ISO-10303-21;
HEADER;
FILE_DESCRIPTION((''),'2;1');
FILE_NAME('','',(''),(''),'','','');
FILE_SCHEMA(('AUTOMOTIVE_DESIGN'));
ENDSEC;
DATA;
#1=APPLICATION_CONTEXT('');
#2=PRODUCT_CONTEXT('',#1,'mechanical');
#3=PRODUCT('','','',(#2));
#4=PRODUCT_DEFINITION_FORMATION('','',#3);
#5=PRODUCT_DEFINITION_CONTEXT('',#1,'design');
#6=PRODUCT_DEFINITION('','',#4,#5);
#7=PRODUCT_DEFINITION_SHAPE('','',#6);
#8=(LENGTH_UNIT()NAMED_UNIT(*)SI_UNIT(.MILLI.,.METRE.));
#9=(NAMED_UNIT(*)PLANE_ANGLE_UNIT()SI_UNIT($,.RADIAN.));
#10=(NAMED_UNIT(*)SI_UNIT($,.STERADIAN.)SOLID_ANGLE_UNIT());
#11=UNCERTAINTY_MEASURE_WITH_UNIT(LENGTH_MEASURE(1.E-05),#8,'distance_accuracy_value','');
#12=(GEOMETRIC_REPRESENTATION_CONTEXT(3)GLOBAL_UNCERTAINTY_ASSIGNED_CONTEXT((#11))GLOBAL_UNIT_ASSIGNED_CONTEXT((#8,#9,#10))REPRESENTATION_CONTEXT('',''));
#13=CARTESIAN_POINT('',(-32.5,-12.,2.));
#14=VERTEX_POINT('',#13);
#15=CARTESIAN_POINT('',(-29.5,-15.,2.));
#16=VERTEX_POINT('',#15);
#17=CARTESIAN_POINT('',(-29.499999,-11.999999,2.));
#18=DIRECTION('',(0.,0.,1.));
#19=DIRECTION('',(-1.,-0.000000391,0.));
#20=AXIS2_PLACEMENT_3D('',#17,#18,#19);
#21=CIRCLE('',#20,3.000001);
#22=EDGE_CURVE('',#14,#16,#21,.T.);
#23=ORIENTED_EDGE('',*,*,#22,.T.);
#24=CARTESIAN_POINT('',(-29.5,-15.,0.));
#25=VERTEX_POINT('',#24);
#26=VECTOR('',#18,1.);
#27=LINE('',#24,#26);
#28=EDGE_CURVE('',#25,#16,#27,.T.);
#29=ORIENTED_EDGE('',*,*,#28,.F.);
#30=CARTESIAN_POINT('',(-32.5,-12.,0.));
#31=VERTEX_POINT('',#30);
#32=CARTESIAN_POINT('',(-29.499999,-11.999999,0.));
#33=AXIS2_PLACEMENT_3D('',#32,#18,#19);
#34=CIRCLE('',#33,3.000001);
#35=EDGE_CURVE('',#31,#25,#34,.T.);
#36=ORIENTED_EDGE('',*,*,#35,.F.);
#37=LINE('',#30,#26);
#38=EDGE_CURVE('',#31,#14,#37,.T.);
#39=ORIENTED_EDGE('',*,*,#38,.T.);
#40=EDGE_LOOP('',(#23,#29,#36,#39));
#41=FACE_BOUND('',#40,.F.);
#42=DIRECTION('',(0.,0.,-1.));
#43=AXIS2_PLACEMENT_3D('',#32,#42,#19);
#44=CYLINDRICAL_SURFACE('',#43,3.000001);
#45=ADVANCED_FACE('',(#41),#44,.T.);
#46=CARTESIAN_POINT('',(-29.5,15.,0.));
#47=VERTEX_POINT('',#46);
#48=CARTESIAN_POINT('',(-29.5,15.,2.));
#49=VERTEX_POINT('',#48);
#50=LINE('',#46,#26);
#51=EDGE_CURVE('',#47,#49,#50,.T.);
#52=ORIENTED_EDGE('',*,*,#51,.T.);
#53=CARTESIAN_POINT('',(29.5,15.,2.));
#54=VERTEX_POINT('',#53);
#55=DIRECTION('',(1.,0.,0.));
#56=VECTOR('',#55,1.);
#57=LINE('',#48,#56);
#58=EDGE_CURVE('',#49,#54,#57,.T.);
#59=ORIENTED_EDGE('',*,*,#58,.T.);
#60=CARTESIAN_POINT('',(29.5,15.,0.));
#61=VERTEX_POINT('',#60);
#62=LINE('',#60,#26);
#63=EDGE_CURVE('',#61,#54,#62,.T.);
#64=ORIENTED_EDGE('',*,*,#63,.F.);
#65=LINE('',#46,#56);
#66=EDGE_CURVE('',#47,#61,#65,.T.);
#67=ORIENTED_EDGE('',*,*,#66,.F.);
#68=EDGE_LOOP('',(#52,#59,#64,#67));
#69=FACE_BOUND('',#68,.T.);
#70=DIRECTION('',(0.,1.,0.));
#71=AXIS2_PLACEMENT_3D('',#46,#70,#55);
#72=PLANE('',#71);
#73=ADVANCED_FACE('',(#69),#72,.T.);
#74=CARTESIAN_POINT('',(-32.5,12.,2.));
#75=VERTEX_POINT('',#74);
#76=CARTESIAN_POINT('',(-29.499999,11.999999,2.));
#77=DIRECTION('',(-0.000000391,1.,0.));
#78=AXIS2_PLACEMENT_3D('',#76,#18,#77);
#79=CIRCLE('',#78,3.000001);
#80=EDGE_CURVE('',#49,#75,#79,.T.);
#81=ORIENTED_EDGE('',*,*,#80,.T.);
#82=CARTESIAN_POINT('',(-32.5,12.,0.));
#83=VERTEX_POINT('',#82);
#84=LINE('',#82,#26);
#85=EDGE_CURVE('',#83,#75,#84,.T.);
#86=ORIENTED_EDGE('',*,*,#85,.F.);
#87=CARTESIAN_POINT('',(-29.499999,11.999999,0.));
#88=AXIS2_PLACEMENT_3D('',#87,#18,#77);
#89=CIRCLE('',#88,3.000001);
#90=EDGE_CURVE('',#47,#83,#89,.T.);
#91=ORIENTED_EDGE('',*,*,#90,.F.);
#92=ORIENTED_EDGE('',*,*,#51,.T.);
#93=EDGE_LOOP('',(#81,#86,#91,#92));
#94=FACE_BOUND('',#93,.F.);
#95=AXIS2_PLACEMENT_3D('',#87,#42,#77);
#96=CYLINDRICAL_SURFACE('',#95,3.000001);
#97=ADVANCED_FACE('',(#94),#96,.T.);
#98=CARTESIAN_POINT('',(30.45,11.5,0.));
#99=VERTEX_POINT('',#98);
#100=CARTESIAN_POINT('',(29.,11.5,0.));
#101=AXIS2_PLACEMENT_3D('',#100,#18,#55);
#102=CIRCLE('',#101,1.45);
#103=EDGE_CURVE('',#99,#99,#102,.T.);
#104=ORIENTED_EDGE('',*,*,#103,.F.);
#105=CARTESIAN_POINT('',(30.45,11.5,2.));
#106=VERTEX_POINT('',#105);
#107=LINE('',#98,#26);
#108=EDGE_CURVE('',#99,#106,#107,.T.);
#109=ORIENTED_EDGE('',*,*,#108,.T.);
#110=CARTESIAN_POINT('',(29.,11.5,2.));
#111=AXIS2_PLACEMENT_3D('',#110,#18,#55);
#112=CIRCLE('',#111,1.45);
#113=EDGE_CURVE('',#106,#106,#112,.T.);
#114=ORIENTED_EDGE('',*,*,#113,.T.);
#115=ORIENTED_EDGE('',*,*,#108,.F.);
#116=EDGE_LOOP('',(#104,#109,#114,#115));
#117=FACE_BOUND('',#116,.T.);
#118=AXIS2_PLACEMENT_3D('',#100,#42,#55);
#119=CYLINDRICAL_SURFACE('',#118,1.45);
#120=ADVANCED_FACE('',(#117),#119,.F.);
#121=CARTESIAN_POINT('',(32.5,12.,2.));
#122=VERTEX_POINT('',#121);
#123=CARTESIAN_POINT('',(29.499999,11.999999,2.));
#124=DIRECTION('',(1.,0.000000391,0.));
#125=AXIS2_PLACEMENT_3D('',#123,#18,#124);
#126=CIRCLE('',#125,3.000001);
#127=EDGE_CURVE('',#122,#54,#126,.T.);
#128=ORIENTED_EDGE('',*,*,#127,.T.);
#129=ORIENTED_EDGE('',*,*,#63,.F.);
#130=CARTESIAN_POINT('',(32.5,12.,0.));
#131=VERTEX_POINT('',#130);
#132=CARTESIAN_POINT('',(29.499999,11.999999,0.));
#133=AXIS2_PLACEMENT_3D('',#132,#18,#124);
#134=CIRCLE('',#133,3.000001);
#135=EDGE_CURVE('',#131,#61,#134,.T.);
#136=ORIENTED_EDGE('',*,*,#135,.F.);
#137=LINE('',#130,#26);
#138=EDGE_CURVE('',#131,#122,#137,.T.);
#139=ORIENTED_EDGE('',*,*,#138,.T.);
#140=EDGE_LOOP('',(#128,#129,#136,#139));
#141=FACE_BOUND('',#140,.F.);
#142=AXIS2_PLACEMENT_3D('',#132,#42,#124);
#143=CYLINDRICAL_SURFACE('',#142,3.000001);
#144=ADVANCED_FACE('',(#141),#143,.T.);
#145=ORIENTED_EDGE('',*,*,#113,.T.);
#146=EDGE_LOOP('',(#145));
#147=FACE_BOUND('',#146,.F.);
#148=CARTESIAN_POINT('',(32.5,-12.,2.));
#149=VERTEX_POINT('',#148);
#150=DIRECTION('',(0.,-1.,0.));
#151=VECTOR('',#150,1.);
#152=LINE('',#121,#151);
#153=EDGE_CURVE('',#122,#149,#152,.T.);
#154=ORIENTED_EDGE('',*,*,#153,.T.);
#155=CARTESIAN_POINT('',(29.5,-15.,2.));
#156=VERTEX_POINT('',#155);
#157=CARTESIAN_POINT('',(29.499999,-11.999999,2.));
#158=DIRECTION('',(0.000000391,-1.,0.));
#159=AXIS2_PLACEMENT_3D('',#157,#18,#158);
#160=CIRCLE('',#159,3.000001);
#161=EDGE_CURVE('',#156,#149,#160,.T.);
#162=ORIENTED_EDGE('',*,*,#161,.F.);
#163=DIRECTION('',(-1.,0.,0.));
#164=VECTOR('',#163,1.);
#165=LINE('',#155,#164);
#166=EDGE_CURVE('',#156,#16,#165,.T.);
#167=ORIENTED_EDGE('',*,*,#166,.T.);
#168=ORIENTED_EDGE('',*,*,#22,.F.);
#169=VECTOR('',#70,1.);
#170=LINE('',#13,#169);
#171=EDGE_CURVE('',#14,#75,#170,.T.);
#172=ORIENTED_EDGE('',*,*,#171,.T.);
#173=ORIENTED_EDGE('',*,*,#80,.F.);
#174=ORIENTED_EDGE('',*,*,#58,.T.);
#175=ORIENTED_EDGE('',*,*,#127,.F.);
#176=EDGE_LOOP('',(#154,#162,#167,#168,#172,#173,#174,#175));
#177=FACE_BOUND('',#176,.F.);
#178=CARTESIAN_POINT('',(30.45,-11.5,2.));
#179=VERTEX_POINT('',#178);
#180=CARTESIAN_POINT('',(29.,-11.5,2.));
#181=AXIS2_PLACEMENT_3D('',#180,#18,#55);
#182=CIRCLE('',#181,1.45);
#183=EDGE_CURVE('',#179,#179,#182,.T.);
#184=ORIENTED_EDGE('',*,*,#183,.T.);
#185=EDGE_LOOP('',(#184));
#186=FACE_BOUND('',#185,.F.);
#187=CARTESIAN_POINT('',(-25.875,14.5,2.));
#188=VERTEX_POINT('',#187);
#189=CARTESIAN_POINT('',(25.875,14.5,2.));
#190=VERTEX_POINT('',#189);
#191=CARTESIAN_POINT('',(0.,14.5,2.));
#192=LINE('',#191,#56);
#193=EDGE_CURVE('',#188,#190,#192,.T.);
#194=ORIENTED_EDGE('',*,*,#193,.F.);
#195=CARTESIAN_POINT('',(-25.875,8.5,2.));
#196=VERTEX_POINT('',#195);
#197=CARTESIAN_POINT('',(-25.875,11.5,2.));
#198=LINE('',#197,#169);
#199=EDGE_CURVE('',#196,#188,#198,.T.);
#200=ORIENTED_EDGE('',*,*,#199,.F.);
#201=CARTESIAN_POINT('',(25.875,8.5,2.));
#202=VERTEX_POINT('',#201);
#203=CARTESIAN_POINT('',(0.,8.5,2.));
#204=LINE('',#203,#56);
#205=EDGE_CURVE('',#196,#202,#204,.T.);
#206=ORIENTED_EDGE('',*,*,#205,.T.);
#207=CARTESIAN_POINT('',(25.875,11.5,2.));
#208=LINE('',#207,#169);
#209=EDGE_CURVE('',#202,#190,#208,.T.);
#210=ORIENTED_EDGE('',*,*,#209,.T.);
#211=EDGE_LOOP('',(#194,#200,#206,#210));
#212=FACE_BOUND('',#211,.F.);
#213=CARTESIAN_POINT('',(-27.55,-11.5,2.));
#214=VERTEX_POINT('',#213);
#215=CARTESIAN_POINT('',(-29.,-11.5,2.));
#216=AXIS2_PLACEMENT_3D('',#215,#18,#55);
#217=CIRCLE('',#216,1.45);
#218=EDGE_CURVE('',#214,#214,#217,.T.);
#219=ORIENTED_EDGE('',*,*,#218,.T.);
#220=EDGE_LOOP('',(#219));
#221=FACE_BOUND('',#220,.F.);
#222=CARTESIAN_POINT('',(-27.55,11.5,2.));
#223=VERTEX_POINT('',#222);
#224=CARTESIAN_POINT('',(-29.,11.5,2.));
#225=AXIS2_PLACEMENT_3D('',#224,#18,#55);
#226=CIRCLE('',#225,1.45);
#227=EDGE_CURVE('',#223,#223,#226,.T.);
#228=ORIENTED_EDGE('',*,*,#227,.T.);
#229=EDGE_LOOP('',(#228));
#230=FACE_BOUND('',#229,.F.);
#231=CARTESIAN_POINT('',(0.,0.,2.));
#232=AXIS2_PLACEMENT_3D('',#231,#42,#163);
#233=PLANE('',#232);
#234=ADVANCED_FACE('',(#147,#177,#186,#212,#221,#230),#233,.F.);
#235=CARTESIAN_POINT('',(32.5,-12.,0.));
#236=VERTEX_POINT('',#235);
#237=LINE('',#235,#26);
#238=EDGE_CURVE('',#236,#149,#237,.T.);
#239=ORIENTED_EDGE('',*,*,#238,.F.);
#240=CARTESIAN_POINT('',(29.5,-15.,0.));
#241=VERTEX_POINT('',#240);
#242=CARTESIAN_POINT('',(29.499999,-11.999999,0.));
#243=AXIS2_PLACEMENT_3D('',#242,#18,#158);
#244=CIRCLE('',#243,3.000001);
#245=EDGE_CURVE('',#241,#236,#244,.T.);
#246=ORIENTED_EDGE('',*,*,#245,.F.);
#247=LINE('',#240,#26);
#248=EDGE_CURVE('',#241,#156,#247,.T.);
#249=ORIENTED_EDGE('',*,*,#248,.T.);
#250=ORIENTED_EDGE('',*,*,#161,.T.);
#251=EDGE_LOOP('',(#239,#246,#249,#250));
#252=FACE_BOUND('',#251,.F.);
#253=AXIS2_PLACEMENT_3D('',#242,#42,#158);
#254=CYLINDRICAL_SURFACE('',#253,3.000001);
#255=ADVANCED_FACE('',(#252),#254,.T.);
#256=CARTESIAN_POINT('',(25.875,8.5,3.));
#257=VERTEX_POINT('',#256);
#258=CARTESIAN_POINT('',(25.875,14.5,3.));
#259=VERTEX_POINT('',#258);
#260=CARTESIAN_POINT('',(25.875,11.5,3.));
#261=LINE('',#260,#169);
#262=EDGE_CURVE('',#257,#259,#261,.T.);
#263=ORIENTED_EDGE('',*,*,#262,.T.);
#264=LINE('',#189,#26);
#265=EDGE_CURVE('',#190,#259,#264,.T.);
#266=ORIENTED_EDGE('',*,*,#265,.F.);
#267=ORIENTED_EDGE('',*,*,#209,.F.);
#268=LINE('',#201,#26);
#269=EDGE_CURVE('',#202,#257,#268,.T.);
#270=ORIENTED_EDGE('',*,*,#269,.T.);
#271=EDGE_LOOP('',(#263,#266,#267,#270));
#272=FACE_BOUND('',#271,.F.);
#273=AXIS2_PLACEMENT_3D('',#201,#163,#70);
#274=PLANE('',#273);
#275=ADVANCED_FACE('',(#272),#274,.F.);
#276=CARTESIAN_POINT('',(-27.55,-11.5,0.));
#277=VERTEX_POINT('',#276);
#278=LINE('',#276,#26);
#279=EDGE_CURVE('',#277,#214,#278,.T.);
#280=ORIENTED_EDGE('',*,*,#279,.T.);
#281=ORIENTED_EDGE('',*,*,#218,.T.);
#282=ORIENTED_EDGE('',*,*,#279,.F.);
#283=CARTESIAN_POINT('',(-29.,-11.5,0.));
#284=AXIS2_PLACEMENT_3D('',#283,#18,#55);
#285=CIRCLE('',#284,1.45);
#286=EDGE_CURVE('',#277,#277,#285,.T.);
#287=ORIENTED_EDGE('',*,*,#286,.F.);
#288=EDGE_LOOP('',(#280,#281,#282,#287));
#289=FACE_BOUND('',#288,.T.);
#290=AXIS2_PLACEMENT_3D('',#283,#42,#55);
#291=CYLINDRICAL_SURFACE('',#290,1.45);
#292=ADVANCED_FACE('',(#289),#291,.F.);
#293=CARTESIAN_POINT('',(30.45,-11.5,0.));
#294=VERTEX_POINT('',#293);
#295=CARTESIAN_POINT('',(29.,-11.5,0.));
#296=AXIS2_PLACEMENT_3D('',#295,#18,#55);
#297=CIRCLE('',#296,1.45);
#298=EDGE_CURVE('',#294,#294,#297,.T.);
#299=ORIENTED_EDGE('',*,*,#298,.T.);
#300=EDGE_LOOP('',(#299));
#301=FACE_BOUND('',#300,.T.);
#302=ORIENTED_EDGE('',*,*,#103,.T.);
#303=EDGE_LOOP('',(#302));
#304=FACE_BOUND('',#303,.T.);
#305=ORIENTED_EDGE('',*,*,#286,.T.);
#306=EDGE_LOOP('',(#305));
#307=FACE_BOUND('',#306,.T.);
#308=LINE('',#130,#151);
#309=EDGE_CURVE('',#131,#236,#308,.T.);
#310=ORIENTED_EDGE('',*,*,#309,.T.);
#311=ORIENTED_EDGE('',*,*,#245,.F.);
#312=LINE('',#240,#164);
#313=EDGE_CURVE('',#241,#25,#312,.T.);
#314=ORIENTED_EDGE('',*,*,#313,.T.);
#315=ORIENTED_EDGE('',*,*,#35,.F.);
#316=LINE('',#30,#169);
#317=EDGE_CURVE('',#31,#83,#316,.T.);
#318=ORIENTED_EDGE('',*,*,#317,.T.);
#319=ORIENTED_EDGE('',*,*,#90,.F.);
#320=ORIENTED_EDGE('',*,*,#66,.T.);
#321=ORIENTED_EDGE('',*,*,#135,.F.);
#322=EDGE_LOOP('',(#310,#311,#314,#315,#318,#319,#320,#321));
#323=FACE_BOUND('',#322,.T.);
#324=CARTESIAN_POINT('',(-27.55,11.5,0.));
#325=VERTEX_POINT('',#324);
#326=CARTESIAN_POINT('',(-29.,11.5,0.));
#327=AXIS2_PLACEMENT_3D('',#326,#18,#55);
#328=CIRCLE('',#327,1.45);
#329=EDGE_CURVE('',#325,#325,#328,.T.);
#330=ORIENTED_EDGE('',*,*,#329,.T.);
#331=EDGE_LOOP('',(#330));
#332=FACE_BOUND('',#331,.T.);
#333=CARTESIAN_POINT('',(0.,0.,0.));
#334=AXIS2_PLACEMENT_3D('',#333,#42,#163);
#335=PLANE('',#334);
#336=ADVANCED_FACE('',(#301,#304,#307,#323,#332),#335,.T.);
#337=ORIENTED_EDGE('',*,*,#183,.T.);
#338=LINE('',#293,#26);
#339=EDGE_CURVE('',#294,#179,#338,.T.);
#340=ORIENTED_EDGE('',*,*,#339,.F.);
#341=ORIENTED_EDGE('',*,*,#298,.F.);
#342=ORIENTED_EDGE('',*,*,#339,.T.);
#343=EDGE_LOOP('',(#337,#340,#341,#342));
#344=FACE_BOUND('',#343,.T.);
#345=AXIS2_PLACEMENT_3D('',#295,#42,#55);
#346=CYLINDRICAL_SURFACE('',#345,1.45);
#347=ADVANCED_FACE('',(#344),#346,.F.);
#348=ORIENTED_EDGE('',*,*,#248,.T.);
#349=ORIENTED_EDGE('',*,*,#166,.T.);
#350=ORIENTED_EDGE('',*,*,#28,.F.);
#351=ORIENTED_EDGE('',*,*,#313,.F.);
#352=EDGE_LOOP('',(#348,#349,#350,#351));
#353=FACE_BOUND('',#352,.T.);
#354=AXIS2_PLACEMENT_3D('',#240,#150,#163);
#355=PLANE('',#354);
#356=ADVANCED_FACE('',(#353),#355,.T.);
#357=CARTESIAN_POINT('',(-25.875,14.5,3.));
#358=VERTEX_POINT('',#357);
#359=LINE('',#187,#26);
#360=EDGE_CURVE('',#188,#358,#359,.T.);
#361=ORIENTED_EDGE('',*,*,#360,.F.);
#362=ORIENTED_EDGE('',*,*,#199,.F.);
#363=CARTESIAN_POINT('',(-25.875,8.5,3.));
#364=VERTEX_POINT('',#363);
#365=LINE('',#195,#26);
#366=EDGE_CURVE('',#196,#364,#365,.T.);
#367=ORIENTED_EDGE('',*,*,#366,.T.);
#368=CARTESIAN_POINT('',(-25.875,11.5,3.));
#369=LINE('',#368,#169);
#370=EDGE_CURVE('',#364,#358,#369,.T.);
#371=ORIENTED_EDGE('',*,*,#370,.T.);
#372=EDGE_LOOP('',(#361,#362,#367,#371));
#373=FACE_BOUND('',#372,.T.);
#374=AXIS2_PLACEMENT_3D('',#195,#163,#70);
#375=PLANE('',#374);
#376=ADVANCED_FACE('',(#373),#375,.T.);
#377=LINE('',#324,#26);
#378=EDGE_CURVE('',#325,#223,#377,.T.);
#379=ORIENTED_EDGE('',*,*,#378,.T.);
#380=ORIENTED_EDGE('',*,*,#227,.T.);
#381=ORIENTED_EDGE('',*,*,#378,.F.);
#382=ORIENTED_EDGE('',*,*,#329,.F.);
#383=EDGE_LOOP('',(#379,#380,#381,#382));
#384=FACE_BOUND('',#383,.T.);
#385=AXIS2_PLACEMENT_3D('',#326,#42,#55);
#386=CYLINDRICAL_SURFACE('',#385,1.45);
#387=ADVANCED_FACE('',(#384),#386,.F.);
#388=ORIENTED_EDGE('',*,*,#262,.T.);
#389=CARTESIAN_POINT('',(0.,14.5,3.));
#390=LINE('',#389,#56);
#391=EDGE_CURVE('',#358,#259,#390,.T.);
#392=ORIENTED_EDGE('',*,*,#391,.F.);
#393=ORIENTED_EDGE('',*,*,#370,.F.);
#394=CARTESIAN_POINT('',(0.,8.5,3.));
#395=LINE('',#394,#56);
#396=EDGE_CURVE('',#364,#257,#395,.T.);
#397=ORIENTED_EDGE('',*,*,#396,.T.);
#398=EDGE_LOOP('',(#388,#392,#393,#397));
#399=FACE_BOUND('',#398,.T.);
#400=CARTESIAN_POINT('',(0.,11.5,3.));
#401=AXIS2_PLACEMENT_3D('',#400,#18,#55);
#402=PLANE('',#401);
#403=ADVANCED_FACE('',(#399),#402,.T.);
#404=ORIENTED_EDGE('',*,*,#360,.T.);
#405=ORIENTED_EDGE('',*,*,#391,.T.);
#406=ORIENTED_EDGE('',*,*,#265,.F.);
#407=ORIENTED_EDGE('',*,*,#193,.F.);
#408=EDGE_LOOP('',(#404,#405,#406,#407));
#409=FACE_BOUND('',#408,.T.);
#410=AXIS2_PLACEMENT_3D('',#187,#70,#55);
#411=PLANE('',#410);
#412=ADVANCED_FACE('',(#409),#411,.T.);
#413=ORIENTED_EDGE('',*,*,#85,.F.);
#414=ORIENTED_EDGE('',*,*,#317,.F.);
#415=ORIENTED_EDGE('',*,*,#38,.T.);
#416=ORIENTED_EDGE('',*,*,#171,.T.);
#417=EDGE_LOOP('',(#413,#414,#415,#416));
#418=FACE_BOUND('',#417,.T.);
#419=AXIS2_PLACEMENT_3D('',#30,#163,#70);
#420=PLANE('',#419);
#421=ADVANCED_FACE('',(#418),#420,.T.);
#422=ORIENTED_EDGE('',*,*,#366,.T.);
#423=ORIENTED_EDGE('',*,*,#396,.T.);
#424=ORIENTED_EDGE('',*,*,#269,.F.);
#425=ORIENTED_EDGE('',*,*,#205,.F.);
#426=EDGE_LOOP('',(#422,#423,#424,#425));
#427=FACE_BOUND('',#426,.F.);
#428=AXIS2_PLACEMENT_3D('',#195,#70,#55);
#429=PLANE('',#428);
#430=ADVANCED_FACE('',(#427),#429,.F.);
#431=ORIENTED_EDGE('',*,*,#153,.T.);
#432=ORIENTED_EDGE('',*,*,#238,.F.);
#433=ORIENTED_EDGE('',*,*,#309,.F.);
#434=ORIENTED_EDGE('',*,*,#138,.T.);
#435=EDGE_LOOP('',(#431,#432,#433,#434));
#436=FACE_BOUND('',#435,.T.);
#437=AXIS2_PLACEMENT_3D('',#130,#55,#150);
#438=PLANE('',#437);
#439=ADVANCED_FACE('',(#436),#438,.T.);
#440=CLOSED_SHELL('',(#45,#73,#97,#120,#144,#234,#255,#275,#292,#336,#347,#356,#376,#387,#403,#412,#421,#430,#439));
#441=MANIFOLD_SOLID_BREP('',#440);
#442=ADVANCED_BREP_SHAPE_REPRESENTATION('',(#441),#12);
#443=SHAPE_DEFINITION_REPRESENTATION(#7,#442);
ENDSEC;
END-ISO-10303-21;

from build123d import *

# Parameters (mm, degrees)
SKETCH_R     = 1.45
PAD_DEPTH    = 2
SKETCH001_W  = 51.75
SKETCH001_H  = 6
PAD001_DEPTH = 1


with BuildPart() as part:
    # Sketch → Pad (new body)
    with BuildSketch(Plane.XY):
        with BuildLine():
            Line((-29.5, 15), (29.5, 15))
            ThreePointArc((32.5, 12), (31.62132, 14.12132), (29.5, 15))
            Line((32.5, 12), (32.5, -12))
            ThreePointArc((29.5, -15), (31.62132, -14.12132), (32.5, -12))
            Line((29.5, -15), (-29.5, -15))
            ThreePointArc((-32.5, -12), (-31.62132, -14.12132), (-29.5, -15))
            Line((-32.5, -12), (-32.5, 12))
            ThreePointArc((-29.5, 15), (-31.62132, 14.12132), (-32.5, 12))
        make_face()
        with Locations((-29, 11.5)):
            Circle(SKETCH_R, mode=Mode.SUBTRACT)
        with Locations((29, 11.5)):
            Circle(SKETCH_R, mode=Mode.SUBTRACT)
        with Locations((-29, -11.5)):
            Circle(SKETCH_R, mode=Mode.SUBTRACT)
        with Locations((29, -11.5)):
            Circle(SKETCH_R, mode=Mode.SUBTRACT)
    extrude(amount=PAD_DEPTH)

    # Sketch001 (on Face14 of Pad) → Pad001 (join)
    with BuildSketch(Plane.XY.offset(2)):
        with Locations((0, 11.5)):
            Rectangle(SKETCH001_W, SKETCH001_H)
    extrude(amount=PAD001_DEPTH)


solid = part.part
